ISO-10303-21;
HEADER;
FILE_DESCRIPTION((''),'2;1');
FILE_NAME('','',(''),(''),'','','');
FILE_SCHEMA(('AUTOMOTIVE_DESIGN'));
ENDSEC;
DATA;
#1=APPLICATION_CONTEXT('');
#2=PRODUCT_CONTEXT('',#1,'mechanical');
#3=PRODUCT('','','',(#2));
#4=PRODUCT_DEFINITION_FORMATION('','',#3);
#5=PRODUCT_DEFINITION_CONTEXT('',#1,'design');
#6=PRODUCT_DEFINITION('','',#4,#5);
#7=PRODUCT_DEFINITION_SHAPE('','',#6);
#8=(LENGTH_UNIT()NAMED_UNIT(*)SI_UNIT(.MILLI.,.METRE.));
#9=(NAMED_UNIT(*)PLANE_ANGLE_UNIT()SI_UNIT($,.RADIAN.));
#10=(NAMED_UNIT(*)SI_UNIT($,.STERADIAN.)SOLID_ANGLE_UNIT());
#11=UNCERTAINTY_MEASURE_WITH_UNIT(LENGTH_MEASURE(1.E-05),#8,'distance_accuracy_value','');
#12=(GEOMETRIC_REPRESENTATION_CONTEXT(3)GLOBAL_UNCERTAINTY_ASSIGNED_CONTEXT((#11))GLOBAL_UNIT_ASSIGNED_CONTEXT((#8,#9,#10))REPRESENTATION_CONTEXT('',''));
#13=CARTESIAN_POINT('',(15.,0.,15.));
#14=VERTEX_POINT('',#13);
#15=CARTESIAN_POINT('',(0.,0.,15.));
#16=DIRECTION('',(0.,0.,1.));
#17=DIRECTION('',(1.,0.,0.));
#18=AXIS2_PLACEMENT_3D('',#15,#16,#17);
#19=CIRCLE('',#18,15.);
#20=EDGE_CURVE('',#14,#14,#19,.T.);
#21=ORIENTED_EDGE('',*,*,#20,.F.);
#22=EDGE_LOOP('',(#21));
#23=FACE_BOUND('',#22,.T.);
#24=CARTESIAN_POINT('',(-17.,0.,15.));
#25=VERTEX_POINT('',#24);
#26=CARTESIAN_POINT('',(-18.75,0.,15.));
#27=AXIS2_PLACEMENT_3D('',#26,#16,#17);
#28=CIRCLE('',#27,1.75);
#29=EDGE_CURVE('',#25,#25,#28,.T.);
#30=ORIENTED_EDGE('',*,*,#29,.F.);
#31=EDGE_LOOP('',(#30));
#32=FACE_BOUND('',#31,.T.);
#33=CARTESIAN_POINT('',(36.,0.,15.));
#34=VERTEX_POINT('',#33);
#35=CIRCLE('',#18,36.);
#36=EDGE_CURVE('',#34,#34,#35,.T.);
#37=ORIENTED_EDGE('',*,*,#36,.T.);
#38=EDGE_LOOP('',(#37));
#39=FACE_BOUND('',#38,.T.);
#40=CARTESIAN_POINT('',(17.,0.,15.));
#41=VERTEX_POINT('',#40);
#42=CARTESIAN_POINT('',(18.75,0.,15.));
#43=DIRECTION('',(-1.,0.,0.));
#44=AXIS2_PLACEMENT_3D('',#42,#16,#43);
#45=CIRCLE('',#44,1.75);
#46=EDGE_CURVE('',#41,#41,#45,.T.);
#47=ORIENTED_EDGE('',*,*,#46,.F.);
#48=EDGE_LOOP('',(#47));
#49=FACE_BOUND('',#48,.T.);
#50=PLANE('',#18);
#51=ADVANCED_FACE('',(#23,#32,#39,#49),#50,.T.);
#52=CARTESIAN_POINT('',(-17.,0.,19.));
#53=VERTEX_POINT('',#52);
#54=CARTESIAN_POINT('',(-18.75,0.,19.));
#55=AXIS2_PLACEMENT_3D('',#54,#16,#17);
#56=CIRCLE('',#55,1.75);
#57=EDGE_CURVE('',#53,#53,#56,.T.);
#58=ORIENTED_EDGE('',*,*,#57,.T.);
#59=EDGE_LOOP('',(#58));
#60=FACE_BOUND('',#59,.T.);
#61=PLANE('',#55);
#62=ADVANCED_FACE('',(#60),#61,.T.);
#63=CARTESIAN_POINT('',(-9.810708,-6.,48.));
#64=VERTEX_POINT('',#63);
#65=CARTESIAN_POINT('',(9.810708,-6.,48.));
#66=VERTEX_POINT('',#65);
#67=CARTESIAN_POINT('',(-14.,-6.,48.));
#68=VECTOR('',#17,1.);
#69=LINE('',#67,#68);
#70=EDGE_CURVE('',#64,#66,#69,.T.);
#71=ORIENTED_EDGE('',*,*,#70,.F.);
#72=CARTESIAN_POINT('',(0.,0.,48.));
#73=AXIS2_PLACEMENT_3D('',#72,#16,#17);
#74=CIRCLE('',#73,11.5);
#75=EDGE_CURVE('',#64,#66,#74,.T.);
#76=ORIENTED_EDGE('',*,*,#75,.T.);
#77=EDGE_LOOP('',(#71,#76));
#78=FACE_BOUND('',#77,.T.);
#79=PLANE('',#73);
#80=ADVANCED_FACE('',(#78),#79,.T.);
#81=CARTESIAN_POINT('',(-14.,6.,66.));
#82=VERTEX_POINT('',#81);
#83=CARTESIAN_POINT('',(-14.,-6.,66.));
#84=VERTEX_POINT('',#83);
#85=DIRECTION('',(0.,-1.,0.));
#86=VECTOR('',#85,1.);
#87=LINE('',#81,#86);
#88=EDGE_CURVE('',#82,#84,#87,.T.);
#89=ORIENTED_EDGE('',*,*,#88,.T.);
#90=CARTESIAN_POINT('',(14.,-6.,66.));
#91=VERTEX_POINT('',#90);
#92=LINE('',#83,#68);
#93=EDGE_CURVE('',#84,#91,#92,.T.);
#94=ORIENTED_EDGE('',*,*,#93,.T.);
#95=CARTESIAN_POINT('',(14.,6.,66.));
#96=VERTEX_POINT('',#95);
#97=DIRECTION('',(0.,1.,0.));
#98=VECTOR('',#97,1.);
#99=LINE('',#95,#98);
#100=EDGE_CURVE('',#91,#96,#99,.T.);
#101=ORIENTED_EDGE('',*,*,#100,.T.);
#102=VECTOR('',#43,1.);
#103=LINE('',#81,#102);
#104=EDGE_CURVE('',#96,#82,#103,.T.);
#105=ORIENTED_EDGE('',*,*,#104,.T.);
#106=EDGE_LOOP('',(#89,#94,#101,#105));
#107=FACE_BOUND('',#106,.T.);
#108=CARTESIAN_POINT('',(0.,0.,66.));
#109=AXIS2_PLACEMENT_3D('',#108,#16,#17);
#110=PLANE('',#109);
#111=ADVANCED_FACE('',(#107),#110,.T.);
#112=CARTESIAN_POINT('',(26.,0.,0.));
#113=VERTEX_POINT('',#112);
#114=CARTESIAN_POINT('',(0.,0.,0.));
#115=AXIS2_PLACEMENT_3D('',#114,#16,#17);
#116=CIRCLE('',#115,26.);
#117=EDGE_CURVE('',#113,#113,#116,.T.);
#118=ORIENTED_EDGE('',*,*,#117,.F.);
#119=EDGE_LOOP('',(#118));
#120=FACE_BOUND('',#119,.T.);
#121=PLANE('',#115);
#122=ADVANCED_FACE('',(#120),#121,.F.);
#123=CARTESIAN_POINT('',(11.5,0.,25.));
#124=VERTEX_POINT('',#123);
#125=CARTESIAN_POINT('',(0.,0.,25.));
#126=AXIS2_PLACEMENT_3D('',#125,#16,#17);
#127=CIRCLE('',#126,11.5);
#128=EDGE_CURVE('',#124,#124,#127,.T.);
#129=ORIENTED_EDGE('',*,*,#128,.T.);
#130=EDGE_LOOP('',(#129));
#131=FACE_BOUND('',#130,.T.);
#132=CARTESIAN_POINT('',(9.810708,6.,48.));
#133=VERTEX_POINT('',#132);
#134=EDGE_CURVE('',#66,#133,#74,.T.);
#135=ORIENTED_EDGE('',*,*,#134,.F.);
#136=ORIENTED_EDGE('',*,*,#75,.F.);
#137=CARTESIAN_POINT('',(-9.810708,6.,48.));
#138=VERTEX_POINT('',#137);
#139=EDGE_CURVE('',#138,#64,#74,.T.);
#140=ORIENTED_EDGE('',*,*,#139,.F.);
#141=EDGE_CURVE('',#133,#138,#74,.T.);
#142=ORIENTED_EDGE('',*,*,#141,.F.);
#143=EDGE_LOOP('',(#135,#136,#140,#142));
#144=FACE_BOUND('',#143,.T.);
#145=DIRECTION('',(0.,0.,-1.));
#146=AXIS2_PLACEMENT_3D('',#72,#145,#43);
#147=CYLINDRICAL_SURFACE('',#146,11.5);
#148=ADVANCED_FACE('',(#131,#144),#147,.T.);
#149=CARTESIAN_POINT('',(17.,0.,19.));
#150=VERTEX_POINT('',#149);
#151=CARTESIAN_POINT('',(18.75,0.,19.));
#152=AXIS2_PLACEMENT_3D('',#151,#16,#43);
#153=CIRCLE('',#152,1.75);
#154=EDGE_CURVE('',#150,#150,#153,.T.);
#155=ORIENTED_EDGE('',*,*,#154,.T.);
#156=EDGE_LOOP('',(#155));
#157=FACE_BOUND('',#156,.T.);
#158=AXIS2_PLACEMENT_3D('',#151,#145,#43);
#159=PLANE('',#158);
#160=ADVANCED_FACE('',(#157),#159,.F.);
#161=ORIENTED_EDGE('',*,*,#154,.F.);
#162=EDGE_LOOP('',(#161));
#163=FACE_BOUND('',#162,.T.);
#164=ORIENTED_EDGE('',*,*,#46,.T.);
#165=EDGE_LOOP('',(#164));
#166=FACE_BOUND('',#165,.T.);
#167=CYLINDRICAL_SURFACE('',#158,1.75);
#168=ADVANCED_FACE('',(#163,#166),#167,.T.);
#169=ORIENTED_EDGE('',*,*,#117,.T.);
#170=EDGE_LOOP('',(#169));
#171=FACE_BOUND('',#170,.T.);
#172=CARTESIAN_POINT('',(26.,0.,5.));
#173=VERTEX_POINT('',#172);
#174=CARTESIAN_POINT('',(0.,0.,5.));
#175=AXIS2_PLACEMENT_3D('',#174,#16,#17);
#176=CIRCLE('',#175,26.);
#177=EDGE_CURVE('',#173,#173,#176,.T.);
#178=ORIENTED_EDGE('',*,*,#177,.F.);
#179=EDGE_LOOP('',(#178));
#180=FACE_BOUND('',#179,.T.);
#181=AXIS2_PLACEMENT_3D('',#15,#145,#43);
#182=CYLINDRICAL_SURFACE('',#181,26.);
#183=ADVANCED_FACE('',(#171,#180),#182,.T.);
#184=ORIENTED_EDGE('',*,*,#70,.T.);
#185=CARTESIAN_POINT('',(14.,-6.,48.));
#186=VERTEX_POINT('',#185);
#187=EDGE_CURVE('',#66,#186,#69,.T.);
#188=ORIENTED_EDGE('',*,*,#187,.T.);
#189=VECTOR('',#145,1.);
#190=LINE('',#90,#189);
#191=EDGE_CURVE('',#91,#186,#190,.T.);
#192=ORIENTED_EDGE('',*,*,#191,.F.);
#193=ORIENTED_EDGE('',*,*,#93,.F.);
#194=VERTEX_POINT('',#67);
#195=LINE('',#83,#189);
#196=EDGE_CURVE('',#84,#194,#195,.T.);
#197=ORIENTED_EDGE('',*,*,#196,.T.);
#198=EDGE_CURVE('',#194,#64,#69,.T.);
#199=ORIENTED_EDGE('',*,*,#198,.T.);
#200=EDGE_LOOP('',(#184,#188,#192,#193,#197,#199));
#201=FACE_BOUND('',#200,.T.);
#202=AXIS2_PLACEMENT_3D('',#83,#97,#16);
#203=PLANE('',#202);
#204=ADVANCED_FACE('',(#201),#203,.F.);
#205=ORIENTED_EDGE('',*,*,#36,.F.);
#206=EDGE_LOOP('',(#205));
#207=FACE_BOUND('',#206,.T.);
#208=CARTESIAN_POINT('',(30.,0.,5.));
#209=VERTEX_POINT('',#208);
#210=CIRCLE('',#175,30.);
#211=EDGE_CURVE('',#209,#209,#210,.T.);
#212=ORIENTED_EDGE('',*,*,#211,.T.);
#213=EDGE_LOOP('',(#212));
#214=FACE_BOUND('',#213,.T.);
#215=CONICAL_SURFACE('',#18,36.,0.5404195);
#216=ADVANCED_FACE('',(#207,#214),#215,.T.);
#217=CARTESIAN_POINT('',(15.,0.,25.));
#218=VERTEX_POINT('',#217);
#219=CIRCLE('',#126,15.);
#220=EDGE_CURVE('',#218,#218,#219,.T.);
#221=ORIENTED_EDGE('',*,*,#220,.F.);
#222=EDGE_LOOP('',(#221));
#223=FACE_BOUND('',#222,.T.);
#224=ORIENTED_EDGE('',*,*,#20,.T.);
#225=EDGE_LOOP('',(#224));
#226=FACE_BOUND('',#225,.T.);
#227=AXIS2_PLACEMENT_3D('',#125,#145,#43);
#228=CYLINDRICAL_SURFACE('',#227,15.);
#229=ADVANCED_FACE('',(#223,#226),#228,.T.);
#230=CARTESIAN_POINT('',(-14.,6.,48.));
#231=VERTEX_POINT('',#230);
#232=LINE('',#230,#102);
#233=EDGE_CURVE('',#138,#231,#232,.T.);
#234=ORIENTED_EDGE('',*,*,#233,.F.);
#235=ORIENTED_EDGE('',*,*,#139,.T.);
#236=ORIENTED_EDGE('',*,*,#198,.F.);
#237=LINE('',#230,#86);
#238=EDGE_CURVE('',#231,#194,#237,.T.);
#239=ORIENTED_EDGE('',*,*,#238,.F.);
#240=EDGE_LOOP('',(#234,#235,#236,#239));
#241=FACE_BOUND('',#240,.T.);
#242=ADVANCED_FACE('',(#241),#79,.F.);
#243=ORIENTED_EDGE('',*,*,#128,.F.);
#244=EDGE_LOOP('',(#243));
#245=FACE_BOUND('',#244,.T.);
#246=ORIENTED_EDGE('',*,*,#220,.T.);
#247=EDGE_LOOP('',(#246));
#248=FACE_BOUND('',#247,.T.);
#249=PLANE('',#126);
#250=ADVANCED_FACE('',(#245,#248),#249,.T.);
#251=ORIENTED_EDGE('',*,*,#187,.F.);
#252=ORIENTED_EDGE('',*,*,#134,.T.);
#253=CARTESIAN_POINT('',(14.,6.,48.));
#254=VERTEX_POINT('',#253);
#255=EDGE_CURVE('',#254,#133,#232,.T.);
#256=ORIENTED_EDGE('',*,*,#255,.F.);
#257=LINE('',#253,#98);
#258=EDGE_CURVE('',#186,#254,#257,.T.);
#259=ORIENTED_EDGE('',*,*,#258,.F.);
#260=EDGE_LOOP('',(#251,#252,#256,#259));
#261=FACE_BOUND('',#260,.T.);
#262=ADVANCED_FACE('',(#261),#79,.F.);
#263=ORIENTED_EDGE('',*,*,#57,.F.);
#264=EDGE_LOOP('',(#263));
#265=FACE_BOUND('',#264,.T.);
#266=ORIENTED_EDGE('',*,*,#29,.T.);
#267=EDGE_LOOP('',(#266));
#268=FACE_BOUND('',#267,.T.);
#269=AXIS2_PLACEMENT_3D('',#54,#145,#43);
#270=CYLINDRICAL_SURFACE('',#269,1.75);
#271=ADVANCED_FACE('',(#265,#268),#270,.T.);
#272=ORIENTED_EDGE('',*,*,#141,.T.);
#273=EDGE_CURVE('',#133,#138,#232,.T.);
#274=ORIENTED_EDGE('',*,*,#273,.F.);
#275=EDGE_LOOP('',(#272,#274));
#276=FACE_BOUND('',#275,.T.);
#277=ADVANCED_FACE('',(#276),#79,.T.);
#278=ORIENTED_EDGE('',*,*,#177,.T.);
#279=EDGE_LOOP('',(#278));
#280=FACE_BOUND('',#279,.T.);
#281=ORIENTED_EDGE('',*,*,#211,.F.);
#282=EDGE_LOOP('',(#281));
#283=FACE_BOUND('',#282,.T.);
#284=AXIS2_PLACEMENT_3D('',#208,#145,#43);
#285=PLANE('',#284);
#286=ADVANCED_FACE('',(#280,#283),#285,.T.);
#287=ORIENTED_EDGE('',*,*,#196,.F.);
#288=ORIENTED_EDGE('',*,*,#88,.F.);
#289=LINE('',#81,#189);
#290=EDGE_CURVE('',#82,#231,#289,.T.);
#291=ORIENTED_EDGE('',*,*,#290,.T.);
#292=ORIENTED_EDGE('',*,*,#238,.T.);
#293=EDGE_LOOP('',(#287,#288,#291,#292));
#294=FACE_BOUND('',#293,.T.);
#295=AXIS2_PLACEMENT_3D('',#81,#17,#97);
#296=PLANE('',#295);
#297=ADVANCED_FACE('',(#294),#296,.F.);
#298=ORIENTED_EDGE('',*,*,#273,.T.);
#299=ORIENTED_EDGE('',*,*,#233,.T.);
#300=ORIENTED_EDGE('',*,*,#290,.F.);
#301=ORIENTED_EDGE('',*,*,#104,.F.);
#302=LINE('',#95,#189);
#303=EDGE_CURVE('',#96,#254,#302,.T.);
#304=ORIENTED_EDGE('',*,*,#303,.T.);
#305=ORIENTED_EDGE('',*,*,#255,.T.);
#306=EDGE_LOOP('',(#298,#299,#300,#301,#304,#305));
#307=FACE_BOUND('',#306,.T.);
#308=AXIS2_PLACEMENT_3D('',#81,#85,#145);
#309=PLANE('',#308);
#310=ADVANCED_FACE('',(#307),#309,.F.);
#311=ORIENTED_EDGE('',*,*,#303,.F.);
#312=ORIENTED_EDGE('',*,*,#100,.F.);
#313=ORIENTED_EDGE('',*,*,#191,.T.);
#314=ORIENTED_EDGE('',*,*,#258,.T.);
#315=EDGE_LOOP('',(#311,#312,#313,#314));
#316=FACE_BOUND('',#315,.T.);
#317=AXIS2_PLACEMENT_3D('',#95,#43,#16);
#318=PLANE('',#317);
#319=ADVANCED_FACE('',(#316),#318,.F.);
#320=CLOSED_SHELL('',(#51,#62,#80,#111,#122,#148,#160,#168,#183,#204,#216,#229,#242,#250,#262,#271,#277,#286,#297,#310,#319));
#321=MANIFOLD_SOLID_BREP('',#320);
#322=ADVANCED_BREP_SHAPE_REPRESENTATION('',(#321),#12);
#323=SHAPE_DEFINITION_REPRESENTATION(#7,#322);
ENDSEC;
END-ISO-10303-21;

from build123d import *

# Parameters (mm, degrees)
SKETCH1_R           = 26
BOSS_EXTRUDE1_DEPTH = 15
SKETCH3_R           = 15
BOSS_EXTRUDE2_DEPTH = 10
SKETCH4_R           = 11.5
BOSS_EXTRUDE3_DEPTH = 23
SKETCH5_W           = 28
SKETCH5_H           = 12
BOSS_EXTRUDE4_DEPTH = 18
SKETCH6_R           = 1.75
BOSS_EXTRUDE5_DEPTH = 4


with BuildPart() as part:
    # Sketch1 → Boss-Extrude1 (new body)
    with BuildSketch(Plane.XY):
        Circle(SKETCH1_R)
    extrude(amount=BOSS_EXTRUDE1_DEPTH)

    # Sketch2 → Revolve1 (revolve)
    with BuildSketch(Plane(origin=(0, 0, 0), x_dir=(1, 0, 0), z_dir=(0, 1, 0))):
        Polygon((26, -15), (36, -15), (30, -5), (26, -5), align=None)
    revolve(axis=Axis((0, 0, 15), (0, 0, -1)))

    # Sketch3 → Boss-Extrude2 (add)
    with BuildSketch(Plane.XY.offset(15)):
        Circle(SKETCH3_R)
    extrude(amount=BOSS_EXTRUDE2_DEPTH)

    # Sketch4 → Boss-Extrude3 (add)
    with BuildSketch(Plane.XY.offset(25)):
        Circle(SKETCH4_R)
    extrude(amount=BOSS_EXTRUDE3_DEPTH)

    # Sketch5 → Boss-Extrude4 (add)
    with BuildSketch(Plane.XY.offset(48)):
        Rectangle(SKETCH5_W, SKETCH5_H)
    extrude(amount=BOSS_EXTRUDE4_DEPTH)

    # Sketch6 → Boss-Extrude5 (add)
    with BuildSketch(Plane.XY.offset(15)):
        with Locations((-18.75, 0)):
            Circle(SKETCH6_R)
        with Locations(Location((18.75, 0, 0), (0, 0, 180))):
            Circle(SKETCH6_R)
    extrude(amount=BOSS_EXTRUDE5_DEPTH)


solid = part.part
